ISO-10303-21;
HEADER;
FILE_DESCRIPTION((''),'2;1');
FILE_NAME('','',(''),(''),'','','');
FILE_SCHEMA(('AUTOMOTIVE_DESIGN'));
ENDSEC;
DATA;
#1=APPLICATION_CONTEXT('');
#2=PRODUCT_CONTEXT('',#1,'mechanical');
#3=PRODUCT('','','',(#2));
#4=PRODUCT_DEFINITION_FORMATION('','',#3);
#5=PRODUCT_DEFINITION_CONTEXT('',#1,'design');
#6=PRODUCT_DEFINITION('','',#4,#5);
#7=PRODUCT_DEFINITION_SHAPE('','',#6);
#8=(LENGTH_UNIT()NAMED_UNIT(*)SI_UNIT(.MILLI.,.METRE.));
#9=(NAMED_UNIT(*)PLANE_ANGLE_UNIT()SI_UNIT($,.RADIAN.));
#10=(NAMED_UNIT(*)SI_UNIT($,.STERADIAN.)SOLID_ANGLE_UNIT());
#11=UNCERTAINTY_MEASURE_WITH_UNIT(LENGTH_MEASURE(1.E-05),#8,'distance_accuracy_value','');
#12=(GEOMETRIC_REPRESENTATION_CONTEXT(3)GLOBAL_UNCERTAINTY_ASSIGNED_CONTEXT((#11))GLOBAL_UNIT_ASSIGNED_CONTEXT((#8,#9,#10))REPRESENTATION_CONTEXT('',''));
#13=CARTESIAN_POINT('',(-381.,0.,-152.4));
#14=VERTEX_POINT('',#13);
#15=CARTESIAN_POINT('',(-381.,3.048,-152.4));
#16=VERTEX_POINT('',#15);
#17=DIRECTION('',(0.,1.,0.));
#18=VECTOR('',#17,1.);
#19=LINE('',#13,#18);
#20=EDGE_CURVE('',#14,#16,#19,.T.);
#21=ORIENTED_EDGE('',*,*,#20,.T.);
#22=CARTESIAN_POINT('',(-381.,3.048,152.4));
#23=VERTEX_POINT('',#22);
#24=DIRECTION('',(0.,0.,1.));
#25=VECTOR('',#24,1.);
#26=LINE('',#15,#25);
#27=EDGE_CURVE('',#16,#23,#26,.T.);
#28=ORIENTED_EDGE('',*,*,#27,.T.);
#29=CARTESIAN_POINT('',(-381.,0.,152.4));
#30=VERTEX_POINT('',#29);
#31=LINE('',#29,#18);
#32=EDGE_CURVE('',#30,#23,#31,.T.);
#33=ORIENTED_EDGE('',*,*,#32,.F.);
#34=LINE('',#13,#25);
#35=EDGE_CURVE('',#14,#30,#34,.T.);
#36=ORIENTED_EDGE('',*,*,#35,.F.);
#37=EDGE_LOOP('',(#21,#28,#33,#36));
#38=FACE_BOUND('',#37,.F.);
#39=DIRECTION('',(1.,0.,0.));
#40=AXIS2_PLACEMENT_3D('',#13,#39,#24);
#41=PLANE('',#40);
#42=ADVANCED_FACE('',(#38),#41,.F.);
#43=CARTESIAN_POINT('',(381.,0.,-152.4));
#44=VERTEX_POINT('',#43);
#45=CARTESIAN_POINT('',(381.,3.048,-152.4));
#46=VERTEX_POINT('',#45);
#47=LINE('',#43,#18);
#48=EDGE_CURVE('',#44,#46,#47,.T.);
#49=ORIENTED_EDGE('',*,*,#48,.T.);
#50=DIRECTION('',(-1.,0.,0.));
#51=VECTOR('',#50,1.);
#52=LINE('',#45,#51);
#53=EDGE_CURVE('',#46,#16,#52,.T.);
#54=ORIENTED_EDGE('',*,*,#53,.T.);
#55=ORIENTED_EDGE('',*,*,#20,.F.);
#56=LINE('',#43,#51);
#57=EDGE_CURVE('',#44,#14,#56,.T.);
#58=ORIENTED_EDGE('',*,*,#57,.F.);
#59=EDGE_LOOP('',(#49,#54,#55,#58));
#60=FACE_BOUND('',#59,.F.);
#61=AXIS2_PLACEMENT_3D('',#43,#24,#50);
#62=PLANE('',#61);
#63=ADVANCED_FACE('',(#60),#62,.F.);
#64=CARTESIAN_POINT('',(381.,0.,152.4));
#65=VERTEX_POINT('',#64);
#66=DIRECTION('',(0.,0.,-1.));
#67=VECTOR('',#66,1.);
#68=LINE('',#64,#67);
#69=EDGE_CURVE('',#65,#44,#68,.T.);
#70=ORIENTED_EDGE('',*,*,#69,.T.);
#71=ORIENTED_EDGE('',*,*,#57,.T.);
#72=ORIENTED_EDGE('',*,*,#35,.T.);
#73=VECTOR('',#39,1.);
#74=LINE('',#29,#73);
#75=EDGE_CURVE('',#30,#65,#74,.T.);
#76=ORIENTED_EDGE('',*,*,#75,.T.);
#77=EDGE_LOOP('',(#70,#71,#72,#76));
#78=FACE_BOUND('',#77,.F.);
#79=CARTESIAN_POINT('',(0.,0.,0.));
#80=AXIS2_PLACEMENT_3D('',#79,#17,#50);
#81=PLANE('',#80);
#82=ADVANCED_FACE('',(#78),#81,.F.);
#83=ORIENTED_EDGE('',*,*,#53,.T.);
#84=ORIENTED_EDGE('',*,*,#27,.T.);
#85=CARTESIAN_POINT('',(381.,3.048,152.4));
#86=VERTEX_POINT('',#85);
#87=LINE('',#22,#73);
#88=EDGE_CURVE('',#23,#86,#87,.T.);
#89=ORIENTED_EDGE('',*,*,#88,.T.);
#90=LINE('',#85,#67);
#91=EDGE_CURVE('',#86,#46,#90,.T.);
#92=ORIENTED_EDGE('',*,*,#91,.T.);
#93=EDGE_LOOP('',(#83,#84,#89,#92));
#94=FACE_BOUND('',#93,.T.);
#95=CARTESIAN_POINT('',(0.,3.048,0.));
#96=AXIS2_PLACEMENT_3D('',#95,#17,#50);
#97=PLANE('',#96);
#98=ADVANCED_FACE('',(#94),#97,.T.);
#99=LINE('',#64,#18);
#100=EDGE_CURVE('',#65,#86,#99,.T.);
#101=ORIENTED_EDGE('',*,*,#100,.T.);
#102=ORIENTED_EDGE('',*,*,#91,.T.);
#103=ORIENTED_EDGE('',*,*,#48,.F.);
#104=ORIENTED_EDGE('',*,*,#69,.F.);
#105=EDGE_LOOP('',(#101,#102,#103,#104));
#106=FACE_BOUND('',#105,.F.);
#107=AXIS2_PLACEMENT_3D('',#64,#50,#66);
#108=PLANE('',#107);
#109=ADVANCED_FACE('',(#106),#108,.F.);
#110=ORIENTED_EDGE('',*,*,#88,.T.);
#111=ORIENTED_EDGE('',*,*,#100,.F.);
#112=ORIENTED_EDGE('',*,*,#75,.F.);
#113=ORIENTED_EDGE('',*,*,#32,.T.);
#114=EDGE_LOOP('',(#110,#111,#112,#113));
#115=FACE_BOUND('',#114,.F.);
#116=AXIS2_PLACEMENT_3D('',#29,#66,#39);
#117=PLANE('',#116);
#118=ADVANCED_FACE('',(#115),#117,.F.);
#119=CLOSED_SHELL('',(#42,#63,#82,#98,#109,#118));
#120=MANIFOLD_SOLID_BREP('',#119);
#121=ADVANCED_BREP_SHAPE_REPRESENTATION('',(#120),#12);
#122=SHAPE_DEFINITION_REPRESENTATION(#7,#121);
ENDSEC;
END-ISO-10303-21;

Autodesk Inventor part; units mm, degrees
ref_plane "YZ Plane" through (0, 0, 0) normal (1, 0, 0) x (0, 1, 0)
ref_plane "XZ Plane" through (0, 0, 0) normal (0, 1, 0) x (-1, 0, 0)
ref_plane "XY Plane" through (0, 0, 0) normal (0, 0, 1) x (1, 0, 0)
sketch "Sketch1" plane through (0, 0, 0) normal (0, 1, 0) x (-1, 0, 0)
  line L0 (381, 152.4) -> (-381, 152.4)
  line L1 (-381, 152.4) -> (-381, -152.4)
  line L2 (-381, -152.4) -> (381, -152.4)
  line L3 (381, -152.4) -> (381, 152.4)
  line L4 (381, 152.4) -> (-381, -152.4) construction
  line L5 (-381, 152.4) -> (381, -152.4) construction
  point P0 (0, 0)
  dimension "d0" = 304.8
  dimension "d1" = 762
extrude "Plate1" add sketch "Sketch1" along normal blind 3.048
equation "\"d2\" = Thickness"
equation "\"BendRadius\" = Thickness"
equation "\"BendReliefWidth\" = Thickness"
equation "\"BendReliefDepth\" = 0.5 * Thickness"
equation "\"CornerReliefSize\" = 4 * Thickness"
equation "\"MinimumRemnant\" = 2 * Thickness"
equation "\"TransitionRadius\" = BendRadius"
equation "\"JacobiRadiusSize\" = BendRadius"
equation "\"GapSize\" = Thickness"
equation "\"Thickness\" = 3.048"
properties part number "2.5ftX12in"
